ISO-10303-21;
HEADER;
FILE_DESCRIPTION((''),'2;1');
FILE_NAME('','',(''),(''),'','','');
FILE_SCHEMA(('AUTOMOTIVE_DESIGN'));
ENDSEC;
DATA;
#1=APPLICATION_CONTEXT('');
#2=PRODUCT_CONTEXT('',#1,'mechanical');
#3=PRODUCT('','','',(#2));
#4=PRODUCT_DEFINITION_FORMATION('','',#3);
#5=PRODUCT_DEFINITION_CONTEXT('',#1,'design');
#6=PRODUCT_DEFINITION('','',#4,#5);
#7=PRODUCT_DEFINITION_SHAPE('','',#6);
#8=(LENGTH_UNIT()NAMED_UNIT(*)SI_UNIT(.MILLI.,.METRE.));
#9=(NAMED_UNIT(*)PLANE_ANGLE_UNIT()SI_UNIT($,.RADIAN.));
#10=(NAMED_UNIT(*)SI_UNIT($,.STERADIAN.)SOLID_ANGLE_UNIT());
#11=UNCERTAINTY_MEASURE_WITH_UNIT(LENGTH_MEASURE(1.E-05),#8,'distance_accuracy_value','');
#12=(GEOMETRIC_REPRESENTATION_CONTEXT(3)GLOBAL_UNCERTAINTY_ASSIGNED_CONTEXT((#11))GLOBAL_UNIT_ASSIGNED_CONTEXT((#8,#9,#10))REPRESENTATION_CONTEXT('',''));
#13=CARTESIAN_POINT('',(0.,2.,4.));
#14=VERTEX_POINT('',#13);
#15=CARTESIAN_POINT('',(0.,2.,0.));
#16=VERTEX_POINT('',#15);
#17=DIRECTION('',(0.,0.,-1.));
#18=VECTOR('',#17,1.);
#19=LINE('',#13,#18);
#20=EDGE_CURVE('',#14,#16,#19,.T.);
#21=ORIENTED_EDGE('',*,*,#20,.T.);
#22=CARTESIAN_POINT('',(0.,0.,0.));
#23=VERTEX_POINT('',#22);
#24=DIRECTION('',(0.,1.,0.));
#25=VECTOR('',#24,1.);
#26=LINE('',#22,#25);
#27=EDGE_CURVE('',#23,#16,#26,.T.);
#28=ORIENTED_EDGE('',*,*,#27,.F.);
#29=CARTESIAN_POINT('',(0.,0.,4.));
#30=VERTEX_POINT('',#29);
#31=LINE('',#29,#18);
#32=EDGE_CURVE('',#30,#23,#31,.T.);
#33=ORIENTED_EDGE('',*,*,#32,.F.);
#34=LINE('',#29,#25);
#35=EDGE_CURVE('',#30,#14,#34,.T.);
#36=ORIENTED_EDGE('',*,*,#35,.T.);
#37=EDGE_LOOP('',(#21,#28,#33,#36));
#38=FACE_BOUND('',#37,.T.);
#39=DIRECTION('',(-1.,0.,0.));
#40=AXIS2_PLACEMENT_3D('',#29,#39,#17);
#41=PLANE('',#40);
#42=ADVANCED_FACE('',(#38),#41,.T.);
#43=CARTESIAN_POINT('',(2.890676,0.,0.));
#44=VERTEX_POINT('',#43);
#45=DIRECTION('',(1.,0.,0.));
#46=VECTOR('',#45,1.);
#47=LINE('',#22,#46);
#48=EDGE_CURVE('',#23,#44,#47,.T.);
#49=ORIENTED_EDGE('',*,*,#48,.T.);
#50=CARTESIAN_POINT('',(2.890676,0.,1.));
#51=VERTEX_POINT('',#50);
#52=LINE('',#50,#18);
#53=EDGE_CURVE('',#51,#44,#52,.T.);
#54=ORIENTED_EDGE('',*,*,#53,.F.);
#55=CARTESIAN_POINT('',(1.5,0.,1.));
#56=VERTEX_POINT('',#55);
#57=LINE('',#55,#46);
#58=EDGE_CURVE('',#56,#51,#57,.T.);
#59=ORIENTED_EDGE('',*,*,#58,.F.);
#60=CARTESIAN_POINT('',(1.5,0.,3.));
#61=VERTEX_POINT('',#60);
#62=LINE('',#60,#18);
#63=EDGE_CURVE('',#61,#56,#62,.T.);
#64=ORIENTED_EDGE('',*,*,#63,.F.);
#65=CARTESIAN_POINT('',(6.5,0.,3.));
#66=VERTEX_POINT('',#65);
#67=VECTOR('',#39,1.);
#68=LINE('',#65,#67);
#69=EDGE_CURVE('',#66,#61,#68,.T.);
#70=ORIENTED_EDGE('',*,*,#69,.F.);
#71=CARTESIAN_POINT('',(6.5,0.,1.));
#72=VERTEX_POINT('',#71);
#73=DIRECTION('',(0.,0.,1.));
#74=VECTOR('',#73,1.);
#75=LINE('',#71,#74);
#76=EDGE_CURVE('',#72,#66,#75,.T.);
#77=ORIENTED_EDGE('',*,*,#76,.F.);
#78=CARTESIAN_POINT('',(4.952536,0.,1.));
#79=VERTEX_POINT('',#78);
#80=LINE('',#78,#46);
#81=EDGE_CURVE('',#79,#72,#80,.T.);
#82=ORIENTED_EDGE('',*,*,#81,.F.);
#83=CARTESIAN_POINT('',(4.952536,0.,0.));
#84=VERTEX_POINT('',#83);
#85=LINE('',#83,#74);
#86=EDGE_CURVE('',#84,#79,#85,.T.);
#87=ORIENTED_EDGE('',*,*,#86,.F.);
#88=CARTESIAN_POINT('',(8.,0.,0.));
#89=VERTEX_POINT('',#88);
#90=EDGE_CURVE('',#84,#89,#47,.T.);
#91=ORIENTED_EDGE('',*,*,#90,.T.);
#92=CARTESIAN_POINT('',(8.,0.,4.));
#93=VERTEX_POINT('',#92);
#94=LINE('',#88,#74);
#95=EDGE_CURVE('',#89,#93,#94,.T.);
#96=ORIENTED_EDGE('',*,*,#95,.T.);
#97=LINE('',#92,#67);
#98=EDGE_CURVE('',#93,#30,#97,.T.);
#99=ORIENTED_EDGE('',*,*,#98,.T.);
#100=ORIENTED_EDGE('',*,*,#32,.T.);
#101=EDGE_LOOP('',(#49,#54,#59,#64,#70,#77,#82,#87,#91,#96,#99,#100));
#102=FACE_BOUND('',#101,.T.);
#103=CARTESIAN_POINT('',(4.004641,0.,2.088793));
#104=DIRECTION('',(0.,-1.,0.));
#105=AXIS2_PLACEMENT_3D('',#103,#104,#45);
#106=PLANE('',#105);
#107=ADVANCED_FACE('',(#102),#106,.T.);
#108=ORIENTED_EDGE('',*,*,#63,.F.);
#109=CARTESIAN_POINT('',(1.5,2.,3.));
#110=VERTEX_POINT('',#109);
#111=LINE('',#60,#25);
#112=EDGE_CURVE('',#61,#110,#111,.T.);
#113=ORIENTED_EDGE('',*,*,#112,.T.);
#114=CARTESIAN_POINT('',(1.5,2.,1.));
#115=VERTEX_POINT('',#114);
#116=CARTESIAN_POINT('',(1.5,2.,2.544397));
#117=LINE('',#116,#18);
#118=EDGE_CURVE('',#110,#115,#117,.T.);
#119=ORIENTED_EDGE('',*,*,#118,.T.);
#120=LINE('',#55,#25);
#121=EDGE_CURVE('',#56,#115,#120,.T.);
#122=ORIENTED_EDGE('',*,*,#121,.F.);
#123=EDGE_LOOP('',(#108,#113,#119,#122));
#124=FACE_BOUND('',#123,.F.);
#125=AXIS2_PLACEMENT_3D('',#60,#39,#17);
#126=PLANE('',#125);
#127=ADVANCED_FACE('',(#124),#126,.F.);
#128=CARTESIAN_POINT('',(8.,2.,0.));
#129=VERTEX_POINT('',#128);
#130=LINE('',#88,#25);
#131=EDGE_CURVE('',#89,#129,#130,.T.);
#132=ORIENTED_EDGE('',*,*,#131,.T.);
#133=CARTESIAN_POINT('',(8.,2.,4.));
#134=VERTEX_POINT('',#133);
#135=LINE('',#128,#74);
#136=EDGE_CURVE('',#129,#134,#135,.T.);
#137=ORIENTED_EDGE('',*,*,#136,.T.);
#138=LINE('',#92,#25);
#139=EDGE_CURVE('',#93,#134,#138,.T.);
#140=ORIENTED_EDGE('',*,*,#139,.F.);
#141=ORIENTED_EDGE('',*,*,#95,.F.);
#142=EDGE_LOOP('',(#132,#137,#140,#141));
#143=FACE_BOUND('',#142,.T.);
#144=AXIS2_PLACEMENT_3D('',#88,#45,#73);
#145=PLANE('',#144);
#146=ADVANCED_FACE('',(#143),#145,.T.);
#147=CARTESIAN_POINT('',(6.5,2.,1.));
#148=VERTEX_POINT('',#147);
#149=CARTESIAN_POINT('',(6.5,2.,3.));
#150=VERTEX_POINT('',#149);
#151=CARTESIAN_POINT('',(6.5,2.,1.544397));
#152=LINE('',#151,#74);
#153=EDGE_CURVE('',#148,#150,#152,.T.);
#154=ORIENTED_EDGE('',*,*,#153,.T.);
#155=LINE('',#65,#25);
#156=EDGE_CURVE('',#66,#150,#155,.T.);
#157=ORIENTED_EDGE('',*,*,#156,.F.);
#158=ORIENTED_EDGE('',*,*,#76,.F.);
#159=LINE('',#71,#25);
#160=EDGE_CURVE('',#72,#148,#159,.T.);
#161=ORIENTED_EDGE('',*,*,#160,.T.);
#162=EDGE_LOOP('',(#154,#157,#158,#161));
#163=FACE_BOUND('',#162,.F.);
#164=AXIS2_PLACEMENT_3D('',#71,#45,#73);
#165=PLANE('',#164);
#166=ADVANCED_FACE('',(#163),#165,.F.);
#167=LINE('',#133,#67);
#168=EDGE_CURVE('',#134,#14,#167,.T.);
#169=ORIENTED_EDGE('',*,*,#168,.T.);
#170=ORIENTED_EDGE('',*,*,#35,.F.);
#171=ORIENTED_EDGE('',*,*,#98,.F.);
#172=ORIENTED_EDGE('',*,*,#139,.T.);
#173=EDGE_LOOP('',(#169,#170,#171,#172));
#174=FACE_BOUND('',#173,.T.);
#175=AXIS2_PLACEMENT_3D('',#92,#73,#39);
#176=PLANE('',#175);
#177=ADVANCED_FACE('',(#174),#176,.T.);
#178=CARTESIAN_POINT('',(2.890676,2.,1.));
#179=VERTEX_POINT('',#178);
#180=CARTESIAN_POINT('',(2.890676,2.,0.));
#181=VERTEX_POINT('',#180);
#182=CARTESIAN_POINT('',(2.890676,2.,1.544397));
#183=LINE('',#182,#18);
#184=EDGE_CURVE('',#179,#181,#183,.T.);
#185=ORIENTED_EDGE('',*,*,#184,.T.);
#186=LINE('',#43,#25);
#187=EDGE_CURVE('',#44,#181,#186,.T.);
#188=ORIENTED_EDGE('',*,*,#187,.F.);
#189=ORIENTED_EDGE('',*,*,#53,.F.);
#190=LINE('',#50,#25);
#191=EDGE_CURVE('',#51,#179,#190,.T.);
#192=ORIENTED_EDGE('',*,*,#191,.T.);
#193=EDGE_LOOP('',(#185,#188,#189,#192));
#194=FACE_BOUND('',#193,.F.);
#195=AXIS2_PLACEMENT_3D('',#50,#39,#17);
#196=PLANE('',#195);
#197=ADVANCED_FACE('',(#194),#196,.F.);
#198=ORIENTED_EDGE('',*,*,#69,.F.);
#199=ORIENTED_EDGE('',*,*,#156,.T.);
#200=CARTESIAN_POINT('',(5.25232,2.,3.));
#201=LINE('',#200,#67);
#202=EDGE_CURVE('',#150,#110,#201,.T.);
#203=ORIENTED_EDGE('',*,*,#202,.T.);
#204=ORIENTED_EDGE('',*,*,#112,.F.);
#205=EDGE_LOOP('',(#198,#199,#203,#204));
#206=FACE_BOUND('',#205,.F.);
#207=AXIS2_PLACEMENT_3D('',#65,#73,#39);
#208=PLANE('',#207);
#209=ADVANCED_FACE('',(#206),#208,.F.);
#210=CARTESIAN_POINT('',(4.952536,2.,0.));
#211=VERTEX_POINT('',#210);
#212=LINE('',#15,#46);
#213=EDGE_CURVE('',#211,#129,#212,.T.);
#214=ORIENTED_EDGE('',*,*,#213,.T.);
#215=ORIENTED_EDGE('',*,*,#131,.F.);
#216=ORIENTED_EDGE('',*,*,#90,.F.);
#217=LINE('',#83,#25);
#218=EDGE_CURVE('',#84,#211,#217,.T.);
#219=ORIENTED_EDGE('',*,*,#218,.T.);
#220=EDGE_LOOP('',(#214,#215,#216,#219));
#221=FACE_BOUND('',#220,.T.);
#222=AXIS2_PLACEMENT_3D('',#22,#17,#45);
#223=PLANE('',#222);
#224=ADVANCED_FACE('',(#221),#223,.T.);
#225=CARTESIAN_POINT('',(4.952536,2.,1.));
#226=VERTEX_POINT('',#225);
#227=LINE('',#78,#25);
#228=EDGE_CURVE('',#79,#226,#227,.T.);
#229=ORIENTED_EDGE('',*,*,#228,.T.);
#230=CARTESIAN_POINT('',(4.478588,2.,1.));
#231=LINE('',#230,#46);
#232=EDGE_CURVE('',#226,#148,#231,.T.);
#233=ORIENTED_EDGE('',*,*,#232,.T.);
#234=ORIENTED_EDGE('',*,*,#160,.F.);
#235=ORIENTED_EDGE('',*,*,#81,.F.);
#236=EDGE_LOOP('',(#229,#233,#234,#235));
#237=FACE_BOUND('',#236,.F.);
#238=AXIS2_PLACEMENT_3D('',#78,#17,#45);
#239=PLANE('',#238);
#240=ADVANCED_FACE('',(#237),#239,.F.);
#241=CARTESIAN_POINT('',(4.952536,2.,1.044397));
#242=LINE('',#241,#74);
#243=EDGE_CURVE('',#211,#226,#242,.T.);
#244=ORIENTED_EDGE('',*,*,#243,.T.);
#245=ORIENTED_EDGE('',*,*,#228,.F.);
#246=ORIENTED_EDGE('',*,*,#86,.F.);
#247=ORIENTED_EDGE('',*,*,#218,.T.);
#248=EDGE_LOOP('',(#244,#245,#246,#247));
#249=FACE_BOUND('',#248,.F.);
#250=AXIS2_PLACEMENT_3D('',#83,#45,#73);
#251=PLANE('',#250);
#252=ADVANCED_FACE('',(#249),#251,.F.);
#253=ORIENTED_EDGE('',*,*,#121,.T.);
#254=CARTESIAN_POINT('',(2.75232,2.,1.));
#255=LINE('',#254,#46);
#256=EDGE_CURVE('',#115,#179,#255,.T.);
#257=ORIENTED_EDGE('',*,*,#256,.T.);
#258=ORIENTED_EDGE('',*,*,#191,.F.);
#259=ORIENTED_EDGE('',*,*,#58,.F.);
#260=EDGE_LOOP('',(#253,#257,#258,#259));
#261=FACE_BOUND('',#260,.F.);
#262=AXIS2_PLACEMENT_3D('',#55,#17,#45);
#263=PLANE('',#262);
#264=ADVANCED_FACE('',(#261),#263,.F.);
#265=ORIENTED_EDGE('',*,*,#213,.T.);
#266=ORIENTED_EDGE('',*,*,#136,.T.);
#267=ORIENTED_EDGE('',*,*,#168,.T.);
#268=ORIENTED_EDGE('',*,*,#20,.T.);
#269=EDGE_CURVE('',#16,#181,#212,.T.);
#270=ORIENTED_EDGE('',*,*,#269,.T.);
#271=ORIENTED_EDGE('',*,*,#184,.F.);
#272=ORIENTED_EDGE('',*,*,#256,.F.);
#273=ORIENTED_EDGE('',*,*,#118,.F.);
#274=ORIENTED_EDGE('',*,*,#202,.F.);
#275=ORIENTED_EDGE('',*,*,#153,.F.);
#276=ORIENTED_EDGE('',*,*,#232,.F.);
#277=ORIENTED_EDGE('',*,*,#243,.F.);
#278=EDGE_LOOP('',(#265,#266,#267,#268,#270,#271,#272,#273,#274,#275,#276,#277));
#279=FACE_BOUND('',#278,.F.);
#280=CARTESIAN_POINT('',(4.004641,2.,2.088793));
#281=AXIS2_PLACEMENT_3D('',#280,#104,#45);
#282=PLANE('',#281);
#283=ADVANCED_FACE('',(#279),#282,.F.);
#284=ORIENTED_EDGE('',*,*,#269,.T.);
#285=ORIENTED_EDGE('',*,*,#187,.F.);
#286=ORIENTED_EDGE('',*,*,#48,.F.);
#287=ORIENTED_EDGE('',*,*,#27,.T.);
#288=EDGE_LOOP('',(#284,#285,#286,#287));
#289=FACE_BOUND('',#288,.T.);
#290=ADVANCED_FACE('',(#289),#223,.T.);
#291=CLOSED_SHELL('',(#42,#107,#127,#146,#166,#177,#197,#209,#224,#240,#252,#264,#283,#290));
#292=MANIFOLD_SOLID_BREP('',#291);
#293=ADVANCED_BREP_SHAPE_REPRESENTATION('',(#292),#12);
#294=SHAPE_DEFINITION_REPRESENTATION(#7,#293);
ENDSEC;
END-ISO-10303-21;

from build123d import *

# Parameters (mm, degrees)
F1_DEPTH = 2
F2_DEPTH = 25


with BuildPart() as f1:
    # F0 (on Front) → F1 (new body)
    with BuildSketch(Plane.XZ):
        Polygon((0, 4), (0, 0), (2.890676, 0), (2.890676, 1), (1.5, 1), (1.5, 3), (6.5, 3), (6.5, 1), (4.952536, 1), (4.952536, 0), (8, 0), (8, 4), align=None)
        Polygon((2.890676, 1), (2.890676, 0), (4.952536, 0), (4.952536, 1), (6.5, 1), (6.5, 3), (1.5, 3), (1.5, 1), align=None)
    extrude(amount=-F1_DEPTH)

    # F0 (on Front) → F2 (cut)
    with BuildSketch(Plane.XZ):
        Polygon((2.890676, 1), (2.890676, 0), (4.952536, 0), (4.952536, 1), (6.5, 1), (6.5, 3), (1.5, 3), (1.5, 1), align=None)
    extrude(amount=-F2_DEPTH, mode=Mode.SUBTRACT)


solid = f1.part
